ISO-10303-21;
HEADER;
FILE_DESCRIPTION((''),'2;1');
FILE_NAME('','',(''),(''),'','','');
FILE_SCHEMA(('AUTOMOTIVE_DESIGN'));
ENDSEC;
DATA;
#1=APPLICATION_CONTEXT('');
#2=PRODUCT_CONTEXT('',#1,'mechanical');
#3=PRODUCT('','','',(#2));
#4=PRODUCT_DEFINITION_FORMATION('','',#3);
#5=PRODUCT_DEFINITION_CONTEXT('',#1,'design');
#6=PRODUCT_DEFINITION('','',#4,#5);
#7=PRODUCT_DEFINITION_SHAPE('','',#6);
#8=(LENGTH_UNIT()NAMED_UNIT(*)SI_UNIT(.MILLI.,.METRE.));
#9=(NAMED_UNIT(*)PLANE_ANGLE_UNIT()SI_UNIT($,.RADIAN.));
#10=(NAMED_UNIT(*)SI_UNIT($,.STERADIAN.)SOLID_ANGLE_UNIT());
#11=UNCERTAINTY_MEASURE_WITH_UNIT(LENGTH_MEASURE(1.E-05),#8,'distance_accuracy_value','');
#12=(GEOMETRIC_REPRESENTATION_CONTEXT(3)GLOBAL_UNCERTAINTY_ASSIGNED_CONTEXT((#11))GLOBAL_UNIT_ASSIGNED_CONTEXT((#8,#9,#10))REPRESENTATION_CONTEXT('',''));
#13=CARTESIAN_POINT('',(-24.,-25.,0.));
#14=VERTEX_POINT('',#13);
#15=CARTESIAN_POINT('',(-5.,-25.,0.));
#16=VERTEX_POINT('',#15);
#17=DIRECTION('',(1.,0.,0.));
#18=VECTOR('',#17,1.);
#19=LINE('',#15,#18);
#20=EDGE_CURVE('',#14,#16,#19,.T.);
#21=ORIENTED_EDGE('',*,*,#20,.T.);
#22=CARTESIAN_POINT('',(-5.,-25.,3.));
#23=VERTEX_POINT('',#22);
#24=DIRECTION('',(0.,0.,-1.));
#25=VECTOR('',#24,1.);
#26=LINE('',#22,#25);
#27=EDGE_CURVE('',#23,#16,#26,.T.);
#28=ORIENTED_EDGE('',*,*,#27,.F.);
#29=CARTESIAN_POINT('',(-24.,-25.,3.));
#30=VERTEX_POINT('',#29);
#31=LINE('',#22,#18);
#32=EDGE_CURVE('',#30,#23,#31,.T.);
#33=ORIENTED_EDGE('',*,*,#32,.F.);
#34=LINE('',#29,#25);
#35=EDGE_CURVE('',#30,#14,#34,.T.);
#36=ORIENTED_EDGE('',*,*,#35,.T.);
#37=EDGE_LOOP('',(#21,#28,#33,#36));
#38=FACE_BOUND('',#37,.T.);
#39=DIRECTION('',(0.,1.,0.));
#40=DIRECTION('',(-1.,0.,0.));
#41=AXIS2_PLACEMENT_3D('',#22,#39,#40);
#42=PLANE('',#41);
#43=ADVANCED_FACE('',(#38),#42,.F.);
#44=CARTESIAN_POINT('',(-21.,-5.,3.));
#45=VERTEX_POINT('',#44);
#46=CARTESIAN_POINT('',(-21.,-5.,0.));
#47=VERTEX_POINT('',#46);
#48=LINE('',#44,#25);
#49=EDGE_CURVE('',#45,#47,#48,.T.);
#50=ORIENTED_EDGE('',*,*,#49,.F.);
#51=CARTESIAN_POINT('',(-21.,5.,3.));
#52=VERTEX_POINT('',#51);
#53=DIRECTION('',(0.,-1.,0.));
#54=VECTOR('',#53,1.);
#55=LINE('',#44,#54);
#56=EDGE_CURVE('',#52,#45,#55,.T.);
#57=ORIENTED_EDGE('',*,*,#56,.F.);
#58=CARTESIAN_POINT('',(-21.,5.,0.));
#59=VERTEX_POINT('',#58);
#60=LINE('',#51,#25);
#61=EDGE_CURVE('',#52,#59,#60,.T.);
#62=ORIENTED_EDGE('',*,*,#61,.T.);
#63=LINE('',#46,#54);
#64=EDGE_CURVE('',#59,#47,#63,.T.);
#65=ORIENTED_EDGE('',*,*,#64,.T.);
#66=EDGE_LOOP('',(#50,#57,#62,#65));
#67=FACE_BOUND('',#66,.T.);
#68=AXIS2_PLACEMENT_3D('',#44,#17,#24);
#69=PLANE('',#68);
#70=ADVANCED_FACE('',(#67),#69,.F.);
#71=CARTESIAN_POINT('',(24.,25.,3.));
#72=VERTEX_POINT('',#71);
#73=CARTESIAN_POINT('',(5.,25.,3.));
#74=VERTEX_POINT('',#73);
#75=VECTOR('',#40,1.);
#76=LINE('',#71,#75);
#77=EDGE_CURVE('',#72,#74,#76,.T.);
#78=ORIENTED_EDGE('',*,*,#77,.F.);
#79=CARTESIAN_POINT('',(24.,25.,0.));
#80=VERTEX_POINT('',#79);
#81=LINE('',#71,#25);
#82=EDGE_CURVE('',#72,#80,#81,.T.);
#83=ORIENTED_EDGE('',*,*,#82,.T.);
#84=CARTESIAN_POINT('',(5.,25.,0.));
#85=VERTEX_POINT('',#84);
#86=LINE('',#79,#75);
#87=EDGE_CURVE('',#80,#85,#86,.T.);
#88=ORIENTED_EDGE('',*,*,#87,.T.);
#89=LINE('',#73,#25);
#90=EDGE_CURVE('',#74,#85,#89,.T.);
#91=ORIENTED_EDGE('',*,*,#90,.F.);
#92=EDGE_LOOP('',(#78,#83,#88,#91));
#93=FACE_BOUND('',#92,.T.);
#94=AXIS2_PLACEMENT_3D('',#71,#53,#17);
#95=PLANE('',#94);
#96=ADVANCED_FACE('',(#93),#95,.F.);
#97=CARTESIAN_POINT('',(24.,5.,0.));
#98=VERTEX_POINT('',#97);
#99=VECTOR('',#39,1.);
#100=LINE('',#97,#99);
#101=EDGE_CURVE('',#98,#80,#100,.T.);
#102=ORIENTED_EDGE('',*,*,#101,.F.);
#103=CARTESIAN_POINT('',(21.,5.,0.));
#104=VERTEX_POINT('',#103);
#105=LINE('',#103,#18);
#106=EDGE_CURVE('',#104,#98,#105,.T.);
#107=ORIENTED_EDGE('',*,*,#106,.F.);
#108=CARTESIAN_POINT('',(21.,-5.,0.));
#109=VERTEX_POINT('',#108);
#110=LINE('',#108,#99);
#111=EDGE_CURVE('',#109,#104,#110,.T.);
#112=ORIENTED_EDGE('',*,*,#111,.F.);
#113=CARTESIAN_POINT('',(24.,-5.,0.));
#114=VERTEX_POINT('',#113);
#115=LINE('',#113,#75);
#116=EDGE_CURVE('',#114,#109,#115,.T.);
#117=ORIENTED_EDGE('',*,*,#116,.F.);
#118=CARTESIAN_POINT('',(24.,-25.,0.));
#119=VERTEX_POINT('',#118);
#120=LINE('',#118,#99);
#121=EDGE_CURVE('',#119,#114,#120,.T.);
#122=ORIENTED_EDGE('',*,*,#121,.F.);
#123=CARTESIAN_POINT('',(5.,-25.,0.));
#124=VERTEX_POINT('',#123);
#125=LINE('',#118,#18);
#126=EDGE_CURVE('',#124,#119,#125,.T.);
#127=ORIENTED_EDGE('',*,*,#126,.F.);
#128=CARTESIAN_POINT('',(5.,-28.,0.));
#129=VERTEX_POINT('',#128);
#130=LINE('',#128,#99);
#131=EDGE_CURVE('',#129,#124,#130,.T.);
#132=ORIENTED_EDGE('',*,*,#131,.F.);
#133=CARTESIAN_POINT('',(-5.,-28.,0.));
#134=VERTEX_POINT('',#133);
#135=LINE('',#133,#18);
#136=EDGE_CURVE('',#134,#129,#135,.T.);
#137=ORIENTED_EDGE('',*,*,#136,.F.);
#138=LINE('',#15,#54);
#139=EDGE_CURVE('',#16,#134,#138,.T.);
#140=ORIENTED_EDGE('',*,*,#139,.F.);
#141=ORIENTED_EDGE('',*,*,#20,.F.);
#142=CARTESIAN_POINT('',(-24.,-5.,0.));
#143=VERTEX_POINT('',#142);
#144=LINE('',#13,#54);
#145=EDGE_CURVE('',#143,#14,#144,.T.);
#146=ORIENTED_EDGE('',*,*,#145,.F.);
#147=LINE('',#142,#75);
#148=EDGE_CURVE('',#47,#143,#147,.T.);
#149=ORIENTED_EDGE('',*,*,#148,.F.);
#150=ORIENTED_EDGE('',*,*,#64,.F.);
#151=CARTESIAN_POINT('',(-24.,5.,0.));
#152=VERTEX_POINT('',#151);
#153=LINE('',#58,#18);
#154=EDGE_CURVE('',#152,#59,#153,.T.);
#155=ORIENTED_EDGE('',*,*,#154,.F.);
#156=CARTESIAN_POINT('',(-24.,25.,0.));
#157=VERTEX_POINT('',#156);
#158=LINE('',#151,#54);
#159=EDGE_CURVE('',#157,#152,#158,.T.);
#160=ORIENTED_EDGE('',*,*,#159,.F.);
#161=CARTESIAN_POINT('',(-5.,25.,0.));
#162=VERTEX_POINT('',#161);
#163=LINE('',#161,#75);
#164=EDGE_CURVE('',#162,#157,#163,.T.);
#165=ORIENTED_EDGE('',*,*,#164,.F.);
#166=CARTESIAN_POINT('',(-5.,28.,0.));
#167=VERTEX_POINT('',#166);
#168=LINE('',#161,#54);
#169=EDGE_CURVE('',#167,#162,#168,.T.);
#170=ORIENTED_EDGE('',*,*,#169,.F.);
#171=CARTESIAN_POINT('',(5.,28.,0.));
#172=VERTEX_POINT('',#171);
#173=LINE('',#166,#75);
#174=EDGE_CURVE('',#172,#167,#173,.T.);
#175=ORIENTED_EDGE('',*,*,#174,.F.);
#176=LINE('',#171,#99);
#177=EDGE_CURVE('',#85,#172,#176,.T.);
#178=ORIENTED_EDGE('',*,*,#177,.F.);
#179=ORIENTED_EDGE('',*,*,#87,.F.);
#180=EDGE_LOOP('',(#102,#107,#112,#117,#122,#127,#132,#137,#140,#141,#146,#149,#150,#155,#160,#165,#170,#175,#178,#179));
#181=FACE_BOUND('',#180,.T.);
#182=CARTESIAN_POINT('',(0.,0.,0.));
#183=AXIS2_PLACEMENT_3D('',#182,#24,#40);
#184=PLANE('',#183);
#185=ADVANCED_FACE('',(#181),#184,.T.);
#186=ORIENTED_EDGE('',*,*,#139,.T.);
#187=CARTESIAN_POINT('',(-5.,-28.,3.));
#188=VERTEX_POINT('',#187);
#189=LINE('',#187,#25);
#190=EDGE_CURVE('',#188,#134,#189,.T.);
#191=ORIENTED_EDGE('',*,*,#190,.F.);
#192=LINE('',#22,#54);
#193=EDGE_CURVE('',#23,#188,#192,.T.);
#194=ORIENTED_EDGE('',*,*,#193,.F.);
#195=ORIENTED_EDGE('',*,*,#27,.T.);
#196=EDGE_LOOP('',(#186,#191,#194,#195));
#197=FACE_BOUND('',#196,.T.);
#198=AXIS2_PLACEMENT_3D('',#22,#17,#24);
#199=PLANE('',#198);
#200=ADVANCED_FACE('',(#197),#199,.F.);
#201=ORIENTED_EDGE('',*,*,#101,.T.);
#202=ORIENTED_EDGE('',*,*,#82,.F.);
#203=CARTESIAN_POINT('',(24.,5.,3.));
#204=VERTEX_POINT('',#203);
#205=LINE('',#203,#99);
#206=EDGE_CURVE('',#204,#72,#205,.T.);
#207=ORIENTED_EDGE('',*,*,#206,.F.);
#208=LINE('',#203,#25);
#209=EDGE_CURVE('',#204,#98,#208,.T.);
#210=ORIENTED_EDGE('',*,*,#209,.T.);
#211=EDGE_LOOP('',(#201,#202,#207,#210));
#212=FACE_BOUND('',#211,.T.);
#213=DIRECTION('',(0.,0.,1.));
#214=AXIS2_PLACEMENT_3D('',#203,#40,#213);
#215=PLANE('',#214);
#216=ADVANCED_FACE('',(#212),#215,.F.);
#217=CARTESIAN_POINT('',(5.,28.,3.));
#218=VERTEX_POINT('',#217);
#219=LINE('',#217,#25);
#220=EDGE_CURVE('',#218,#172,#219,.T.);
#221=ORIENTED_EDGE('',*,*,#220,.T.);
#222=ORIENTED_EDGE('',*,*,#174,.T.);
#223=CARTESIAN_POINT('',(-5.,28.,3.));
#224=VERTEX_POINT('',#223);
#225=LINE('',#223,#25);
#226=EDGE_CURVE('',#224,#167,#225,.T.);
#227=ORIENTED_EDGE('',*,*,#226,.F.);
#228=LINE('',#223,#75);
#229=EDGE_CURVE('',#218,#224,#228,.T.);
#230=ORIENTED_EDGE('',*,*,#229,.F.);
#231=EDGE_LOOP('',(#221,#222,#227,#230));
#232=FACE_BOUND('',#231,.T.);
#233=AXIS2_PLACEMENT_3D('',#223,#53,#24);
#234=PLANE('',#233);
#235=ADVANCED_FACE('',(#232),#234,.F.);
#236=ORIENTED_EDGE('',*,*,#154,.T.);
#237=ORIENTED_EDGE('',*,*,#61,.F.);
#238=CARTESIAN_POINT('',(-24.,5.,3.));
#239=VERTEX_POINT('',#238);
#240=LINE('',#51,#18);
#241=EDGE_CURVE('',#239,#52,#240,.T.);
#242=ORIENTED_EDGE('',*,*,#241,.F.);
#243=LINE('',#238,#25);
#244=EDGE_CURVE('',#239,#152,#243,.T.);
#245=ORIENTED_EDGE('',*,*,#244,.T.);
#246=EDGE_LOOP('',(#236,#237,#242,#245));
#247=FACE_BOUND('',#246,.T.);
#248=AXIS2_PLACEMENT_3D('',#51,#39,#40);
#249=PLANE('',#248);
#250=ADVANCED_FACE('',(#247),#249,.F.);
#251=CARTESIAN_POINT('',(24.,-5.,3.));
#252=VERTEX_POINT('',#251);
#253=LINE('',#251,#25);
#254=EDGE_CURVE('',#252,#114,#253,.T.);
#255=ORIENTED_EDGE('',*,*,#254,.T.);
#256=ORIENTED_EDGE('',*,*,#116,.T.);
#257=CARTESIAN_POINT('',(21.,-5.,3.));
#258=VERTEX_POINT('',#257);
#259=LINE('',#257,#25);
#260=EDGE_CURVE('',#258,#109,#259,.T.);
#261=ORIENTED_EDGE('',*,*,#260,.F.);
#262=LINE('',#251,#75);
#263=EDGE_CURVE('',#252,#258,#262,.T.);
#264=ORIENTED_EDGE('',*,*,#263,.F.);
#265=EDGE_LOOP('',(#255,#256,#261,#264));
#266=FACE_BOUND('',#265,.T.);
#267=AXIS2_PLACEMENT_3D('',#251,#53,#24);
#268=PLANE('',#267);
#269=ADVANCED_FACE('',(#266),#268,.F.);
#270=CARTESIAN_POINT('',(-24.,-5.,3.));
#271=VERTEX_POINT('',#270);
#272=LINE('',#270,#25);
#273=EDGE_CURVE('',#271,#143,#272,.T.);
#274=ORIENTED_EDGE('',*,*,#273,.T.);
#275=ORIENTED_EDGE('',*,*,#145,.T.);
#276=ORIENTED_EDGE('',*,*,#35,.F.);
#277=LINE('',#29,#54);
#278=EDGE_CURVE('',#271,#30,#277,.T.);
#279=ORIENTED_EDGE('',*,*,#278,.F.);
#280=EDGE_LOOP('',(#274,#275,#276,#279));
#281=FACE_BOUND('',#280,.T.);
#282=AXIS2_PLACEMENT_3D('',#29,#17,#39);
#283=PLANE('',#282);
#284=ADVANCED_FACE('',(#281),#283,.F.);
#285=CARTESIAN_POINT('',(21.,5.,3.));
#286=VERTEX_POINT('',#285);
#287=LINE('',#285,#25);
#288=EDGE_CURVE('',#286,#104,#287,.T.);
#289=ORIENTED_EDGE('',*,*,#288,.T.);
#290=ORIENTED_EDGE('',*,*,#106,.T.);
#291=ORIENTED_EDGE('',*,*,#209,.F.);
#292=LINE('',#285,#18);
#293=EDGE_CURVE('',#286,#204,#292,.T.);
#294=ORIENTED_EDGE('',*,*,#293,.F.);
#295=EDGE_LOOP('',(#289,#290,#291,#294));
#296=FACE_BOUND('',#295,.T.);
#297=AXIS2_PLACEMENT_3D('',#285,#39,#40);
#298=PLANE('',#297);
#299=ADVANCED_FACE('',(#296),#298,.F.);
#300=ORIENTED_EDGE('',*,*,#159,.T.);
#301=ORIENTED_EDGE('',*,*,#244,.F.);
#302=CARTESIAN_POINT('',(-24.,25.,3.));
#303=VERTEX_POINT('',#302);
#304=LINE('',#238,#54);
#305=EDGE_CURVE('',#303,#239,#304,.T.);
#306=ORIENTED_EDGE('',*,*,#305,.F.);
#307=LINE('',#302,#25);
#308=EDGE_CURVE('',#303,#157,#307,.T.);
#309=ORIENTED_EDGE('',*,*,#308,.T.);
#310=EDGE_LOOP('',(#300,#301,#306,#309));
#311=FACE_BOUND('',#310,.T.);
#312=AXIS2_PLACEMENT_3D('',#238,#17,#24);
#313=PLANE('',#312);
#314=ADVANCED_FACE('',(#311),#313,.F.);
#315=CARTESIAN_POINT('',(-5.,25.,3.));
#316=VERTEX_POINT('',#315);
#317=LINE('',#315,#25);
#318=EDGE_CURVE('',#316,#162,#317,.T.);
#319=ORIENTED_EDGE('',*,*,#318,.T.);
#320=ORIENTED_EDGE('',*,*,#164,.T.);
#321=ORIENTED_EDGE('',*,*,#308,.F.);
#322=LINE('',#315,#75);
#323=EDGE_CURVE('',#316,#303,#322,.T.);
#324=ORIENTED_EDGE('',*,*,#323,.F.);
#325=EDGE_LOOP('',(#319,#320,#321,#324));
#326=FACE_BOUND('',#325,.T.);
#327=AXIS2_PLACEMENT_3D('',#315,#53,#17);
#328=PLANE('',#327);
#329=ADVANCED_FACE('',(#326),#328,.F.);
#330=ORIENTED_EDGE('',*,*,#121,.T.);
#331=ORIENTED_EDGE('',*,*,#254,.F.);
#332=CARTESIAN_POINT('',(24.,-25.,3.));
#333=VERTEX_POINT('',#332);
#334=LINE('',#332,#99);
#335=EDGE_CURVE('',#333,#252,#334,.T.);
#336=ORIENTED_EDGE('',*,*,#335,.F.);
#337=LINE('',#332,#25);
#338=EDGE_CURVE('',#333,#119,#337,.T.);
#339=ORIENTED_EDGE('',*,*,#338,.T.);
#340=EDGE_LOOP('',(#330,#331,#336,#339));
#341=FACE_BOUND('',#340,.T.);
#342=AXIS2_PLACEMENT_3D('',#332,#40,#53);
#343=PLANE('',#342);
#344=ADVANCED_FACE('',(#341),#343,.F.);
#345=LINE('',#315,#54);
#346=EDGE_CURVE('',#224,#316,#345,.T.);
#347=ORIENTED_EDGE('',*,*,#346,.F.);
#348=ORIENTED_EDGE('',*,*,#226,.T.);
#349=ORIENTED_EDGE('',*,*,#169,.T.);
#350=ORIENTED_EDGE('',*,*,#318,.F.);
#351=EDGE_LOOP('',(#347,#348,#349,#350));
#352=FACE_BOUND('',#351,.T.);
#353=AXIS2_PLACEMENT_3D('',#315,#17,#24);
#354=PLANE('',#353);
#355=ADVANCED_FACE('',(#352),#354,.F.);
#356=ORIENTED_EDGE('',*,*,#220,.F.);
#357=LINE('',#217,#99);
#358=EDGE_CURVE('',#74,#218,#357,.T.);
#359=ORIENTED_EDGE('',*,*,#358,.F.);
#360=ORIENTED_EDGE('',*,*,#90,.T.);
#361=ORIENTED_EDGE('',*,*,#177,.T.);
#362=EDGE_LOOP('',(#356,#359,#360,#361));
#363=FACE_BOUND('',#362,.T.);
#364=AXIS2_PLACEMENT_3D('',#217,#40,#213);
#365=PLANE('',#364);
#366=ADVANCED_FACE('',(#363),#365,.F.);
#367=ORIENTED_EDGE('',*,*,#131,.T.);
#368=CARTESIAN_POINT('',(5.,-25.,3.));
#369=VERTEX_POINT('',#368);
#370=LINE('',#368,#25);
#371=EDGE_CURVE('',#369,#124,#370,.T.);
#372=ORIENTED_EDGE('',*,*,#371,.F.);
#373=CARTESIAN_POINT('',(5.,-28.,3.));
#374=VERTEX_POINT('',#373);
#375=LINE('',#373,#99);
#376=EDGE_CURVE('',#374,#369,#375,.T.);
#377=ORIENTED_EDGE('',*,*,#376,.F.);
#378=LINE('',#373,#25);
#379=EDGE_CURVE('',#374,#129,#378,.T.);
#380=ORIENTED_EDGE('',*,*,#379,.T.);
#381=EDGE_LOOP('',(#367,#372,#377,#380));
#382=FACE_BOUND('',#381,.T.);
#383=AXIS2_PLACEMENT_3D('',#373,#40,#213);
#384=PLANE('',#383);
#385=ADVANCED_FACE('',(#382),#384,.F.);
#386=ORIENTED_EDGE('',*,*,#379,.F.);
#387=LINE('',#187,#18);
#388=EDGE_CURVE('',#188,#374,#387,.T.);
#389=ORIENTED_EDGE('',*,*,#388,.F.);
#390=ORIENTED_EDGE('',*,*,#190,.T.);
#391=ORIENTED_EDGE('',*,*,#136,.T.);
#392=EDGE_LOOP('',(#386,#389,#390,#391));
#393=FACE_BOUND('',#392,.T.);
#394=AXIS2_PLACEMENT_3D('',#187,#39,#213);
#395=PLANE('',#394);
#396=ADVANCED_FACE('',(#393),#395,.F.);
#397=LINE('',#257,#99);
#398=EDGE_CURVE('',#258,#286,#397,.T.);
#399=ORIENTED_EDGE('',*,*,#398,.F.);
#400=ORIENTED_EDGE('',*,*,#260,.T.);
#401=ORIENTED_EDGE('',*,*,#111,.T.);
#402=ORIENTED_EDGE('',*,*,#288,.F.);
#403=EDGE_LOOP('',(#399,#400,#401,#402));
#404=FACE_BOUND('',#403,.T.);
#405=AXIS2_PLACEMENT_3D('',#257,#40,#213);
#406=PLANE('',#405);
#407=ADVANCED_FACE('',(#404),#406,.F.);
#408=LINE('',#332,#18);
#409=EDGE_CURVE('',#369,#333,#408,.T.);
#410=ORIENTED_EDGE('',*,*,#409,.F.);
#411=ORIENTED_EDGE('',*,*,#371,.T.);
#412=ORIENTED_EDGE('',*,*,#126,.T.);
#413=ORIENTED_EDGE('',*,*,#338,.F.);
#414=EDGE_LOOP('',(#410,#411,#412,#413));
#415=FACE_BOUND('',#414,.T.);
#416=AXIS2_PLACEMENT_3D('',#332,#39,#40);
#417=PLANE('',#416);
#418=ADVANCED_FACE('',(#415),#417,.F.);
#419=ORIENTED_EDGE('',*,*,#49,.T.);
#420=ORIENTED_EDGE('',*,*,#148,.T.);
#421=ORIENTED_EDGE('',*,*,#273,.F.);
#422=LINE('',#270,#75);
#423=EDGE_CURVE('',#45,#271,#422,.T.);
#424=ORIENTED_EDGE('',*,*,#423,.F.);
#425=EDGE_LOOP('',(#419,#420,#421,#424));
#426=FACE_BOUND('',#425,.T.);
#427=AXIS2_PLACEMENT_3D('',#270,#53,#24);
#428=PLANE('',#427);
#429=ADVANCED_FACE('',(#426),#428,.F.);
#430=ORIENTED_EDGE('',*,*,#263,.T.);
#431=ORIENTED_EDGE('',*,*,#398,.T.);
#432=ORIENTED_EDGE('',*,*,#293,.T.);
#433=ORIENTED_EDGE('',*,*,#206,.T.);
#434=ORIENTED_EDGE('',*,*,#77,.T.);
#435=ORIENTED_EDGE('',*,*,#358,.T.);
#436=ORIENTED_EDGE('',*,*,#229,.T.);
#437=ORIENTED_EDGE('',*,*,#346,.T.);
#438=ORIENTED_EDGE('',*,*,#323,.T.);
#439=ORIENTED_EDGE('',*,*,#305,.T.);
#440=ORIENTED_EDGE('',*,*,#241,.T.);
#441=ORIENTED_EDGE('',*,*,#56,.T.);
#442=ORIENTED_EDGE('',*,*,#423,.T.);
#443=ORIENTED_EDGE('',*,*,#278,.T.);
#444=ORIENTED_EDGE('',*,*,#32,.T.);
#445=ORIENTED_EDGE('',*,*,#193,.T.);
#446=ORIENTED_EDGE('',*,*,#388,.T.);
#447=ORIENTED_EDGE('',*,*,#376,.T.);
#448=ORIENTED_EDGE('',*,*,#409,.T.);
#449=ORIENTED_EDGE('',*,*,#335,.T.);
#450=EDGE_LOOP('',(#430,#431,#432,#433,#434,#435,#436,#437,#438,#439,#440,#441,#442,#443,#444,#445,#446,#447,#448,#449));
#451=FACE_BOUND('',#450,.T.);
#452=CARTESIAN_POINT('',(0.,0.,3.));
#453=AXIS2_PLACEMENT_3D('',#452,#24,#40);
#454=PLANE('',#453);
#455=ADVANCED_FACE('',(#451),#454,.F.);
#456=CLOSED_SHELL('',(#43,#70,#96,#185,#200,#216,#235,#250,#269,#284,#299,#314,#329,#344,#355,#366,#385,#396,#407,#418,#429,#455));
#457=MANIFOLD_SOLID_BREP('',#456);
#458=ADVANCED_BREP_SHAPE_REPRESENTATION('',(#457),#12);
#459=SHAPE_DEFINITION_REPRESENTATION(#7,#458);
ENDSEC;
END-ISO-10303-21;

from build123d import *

# Parameters (mm, degrees)
BOSS_EXTRUDE1_DEPTH = 3


with BuildPart() as part:
    # Sketch1 → Boss-Extrude1 (new body)
    with BuildSketch(Plane.XY):
        Polygon((-5, -25), (-5, -28), (5, -28), (5, -25), (24, -25), (24, -5), (21, -5), (21, 5), (24, 5), (24, 25), (5, 25), (5, 28), (-5, 28), (-5, 25), (-24, 25), (-24, 5), (-21, 5), (-21, -5), (-24, -5), (-24, -25), align=None)
    extrude(amount=BOSS_EXTRUDE1_DEPTH)


solid = part.part
